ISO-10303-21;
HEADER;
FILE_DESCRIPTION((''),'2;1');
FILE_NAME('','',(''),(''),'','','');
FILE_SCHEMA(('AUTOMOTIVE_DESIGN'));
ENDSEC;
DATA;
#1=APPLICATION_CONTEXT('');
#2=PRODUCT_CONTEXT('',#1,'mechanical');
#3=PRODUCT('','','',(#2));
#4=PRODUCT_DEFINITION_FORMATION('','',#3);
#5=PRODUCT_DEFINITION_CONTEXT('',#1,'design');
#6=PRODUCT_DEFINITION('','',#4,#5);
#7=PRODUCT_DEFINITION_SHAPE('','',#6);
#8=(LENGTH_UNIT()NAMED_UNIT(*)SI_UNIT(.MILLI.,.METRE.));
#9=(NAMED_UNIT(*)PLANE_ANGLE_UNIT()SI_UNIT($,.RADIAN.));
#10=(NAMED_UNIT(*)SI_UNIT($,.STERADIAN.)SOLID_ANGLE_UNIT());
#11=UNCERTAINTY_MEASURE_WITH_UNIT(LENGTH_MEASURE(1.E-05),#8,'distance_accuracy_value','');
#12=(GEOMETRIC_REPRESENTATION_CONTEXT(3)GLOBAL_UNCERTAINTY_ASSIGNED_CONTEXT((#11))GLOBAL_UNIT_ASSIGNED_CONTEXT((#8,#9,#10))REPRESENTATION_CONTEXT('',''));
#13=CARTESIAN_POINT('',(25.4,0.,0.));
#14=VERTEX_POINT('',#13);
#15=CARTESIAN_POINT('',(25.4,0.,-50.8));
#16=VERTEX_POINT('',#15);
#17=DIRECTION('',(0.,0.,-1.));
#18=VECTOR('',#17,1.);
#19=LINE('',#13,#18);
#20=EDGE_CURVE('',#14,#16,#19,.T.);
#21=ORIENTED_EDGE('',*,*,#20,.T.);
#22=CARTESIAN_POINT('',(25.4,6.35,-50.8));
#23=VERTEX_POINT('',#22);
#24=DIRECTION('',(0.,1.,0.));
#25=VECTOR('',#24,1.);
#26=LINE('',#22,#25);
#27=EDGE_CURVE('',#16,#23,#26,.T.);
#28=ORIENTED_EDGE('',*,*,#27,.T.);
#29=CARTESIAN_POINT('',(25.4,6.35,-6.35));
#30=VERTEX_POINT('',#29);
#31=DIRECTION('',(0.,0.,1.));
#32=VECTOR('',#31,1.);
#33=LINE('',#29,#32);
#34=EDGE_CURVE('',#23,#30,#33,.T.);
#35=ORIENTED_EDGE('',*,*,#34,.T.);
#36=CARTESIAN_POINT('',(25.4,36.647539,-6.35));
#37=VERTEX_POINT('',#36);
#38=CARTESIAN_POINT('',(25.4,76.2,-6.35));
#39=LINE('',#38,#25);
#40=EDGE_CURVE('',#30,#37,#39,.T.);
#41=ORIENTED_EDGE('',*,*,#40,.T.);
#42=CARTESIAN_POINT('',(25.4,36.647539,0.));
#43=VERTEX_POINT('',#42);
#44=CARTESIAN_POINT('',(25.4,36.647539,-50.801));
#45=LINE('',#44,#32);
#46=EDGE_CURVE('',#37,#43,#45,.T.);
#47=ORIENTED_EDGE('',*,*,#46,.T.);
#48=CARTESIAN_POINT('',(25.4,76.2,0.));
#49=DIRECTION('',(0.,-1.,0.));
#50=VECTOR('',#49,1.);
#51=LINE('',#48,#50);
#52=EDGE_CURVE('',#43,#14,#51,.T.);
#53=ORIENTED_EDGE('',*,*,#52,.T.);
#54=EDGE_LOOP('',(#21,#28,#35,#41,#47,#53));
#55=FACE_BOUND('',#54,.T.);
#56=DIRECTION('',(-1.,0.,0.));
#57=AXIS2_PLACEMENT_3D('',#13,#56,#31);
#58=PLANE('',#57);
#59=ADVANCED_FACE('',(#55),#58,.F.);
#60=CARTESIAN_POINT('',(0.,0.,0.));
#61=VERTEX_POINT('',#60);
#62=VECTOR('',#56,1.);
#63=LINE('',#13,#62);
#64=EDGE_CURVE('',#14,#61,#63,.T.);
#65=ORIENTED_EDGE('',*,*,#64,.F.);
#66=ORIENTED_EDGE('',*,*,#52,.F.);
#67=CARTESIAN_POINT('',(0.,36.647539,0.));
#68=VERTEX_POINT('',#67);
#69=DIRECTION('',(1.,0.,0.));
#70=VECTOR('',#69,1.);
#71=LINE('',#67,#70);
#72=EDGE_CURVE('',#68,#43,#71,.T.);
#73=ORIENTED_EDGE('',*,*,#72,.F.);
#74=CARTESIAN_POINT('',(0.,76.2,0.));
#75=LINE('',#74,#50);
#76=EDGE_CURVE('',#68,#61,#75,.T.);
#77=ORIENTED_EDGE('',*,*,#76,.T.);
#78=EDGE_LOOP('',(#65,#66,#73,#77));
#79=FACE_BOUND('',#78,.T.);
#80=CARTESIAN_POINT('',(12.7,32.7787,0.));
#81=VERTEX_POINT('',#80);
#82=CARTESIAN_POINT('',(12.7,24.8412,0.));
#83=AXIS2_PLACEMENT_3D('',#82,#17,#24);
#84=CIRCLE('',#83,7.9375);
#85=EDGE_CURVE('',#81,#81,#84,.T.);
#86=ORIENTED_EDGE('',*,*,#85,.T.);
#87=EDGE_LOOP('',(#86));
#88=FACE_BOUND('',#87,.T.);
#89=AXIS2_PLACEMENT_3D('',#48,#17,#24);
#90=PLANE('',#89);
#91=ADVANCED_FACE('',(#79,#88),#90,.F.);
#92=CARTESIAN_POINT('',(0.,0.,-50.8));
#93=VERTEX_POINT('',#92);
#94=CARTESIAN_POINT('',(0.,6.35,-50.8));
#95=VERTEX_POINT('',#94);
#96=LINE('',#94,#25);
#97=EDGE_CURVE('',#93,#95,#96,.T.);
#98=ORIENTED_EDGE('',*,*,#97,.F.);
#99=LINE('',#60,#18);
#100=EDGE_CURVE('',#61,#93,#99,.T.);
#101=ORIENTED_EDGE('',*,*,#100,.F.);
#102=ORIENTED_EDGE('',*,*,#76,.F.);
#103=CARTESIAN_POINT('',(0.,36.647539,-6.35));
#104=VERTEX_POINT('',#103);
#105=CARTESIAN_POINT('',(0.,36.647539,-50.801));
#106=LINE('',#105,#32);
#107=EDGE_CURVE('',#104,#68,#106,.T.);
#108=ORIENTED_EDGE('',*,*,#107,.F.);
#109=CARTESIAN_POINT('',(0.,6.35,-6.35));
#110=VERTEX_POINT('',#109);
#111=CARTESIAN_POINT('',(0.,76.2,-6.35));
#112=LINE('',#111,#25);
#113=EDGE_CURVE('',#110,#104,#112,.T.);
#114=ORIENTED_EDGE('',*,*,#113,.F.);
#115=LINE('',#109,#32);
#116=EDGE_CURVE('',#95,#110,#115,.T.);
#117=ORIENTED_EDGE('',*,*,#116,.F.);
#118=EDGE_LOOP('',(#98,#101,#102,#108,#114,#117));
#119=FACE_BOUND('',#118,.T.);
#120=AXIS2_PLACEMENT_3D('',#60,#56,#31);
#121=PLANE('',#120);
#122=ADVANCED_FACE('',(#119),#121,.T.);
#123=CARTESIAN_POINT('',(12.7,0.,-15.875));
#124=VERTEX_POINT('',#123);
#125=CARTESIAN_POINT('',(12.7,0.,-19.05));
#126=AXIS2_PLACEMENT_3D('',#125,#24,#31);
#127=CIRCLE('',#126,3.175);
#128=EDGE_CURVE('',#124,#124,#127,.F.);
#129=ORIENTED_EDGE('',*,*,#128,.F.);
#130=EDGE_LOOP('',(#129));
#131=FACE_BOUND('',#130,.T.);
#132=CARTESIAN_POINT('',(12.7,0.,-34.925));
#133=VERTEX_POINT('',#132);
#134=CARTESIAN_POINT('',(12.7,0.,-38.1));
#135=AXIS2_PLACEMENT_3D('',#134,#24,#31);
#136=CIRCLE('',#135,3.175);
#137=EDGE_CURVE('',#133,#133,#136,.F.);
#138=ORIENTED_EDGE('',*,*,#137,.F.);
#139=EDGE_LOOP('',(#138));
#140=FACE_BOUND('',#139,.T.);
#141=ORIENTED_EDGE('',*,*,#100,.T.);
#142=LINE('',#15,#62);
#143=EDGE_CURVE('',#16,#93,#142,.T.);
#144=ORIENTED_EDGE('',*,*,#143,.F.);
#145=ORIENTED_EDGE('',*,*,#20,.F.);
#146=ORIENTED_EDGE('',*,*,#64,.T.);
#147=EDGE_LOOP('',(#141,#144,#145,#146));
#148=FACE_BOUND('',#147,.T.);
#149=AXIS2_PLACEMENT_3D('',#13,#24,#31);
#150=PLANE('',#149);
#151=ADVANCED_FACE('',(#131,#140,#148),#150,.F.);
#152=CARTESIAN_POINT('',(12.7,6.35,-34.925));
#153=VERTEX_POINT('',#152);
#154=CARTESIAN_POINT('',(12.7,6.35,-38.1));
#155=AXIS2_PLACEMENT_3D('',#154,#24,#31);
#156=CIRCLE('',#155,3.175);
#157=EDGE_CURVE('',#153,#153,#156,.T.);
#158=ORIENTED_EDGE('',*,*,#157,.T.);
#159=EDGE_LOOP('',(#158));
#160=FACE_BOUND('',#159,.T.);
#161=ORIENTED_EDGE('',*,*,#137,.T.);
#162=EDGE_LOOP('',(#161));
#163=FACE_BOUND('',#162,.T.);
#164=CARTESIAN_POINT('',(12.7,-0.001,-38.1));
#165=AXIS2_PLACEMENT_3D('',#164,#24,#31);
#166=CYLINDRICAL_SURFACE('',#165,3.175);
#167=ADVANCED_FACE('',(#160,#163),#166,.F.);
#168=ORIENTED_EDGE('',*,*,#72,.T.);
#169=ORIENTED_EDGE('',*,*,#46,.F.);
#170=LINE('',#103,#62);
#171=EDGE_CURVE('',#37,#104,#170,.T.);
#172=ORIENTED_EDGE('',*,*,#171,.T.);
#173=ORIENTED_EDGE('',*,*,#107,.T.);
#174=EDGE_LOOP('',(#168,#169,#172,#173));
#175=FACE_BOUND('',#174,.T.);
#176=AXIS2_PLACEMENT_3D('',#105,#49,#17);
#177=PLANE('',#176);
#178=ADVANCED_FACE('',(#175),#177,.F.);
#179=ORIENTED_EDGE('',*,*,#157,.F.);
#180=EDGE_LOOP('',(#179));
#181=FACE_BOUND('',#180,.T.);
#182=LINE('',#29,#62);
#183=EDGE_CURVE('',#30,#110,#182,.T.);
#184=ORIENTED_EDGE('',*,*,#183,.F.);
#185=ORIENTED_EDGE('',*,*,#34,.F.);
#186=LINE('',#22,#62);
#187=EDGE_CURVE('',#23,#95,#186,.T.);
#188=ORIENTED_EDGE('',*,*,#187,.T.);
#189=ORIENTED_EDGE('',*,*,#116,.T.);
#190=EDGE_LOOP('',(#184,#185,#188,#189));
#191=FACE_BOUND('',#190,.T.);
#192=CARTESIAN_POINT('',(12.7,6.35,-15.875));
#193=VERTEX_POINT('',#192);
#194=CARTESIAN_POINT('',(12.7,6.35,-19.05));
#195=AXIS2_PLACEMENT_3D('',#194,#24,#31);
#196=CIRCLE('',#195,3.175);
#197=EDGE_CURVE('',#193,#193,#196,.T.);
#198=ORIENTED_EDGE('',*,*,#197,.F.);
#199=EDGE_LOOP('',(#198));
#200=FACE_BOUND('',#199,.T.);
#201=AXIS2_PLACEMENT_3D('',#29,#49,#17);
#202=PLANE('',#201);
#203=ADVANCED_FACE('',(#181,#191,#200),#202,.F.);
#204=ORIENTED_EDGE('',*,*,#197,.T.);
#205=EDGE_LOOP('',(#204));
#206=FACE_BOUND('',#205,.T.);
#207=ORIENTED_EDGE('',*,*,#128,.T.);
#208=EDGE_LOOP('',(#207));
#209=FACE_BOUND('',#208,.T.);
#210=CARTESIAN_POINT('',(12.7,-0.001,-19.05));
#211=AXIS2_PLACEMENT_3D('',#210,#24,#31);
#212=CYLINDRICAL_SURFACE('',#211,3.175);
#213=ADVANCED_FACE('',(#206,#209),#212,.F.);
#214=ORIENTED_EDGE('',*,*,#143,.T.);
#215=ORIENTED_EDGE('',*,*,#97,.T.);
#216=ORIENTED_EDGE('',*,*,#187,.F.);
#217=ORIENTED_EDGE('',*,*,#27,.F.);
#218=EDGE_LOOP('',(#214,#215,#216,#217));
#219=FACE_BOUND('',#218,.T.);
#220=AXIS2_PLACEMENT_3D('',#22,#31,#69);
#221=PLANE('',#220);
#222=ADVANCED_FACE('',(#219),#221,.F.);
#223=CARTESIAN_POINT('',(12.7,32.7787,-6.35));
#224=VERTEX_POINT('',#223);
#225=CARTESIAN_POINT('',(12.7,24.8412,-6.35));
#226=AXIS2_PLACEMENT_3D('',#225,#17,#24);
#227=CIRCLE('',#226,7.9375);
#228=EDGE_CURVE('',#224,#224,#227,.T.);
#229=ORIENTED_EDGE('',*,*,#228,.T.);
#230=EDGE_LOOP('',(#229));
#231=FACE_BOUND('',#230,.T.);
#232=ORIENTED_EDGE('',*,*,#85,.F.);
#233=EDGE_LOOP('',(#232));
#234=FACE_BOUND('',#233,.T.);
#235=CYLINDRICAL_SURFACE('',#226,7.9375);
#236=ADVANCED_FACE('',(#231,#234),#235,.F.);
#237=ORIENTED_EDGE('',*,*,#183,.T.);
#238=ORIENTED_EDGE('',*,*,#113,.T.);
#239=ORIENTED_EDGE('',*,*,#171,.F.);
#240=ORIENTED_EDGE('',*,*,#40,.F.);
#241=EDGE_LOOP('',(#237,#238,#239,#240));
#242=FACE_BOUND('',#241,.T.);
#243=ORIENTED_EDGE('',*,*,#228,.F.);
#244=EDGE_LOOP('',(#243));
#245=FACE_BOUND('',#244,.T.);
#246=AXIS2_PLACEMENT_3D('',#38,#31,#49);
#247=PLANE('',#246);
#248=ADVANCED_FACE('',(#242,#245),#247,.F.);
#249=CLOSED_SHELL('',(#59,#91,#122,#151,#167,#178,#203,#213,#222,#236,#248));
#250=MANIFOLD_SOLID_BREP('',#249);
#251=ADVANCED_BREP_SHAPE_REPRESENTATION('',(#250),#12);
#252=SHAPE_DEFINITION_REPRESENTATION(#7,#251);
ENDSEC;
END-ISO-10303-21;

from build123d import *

# Parameters (mm, degrees)
BOSS_EXTRUDE1_DEPTH          = 25.4
CUT_EXTRUDE1_REACH           = 92.027
SKETCH2_R                    = 3.175
F_5_8_0_625_DIAMETER_HOLE1_D = 15.875
CUT_EXTRUDE2_REACH           = 97.038
SKETCH5_W                    = 25.4
SKETCH5_H                    = 39.5524608


with BuildPart() as part:
    # Sketch1 → Boss-Extrude1 (new body)
    with BuildSketch(Plane(origin=(0, 0, 0), x_dir=(0, 0, -1), z_dir=(1, 0, 0))):
        Polygon((0, 76.2), (0, 0), (50.8, 0), (50.8, 6.35), (6.35, 6.35), (6.35, 76.2), align=None)
    extrude(amount=BOSS_EXTRUDE1_DEPTH)

    # Sketch2 → Cut-Extrude1 (cut, up to next)
    with BuildSketch(Plane(origin=(0, 6.35, 0), x_dir=(1, 0, 0), z_dir=(0, 1, 0)), mode=Mode.PRIVATE) as cut_extrude1_sk1:
        with Locations(Location((12.7, 38.1, 0), (0, 0, 270))):
            Circle(SKETCH2_R)
    cut_extrude1_tool1 = extrude(cut_extrude1_sk1.sketch, amount=-CUT_EXTRUDE1_REACH, mode=Mode.PRIVATE) & part.part
    # Sketch2 → Cut-Extrude1 (cut, up to next)
    with BuildSketch(Plane(origin=(0, 6.35, 0), x_dir=(1, 0, 0), z_dir=(0, 1, 0)), mode=Mode.PRIVATE) as cut_extrude1_sk2:
        with Locations(Location((12.7, 19.05, 0), (0, 0, 270))):
            Circle(SKETCH2_R)
    cut_extrude1_tool2 = extrude(cut_extrude1_sk2.sketch, amount=-CUT_EXTRUDE1_REACH, mode=Mode.PRIVATE) & part.part
    add(cut_extrude1_tool1.solids().sort_by_distance((12.7, 6.35, -38.1))[0], mode=Mode.SUBTRACT)
    add(cut_extrude1_tool2.solids().sort_by_distance((12.7, 6.35, -19.05))[0], mode=Mode.SUBTRACT)

    # 5/8 (0.625) Diameter Hole1 (through all)
    with Locations(Plane(origin=(0, 0, -6.35), x_dir=(-1, 0, 0), z_dir=(0, 0, -1))):
        with Locations((-12.7, 57.15), (-12.7, 24.8412)):
            Hole(F_5_8_0_625_DIAMETER_HOLE1_D / 2)

    # Sketch5 → Cut-Extrude2 (cut, up to next)
    with BuildSketch(Plane.XY, mode=Mode.PRIVATE) as cut_extrude2_sk1:
        with Locations((12.7, 56.4237696)):
            Rectangle(SKETCH5_W, SKETCH5_H)
    cut_extrude2_tool1 = extrude(cut_extrude2_sk1.sketch, amount=-CUT_EXTRUDE2_REACH, mode=Mode.PRIVATE) & part.part
    add(cut_extrude2_tool1.solids().sort_by_distance((12.7, 56.42377, 0))[0], mode=Mode.SUBTRACT)


solid = part.part
